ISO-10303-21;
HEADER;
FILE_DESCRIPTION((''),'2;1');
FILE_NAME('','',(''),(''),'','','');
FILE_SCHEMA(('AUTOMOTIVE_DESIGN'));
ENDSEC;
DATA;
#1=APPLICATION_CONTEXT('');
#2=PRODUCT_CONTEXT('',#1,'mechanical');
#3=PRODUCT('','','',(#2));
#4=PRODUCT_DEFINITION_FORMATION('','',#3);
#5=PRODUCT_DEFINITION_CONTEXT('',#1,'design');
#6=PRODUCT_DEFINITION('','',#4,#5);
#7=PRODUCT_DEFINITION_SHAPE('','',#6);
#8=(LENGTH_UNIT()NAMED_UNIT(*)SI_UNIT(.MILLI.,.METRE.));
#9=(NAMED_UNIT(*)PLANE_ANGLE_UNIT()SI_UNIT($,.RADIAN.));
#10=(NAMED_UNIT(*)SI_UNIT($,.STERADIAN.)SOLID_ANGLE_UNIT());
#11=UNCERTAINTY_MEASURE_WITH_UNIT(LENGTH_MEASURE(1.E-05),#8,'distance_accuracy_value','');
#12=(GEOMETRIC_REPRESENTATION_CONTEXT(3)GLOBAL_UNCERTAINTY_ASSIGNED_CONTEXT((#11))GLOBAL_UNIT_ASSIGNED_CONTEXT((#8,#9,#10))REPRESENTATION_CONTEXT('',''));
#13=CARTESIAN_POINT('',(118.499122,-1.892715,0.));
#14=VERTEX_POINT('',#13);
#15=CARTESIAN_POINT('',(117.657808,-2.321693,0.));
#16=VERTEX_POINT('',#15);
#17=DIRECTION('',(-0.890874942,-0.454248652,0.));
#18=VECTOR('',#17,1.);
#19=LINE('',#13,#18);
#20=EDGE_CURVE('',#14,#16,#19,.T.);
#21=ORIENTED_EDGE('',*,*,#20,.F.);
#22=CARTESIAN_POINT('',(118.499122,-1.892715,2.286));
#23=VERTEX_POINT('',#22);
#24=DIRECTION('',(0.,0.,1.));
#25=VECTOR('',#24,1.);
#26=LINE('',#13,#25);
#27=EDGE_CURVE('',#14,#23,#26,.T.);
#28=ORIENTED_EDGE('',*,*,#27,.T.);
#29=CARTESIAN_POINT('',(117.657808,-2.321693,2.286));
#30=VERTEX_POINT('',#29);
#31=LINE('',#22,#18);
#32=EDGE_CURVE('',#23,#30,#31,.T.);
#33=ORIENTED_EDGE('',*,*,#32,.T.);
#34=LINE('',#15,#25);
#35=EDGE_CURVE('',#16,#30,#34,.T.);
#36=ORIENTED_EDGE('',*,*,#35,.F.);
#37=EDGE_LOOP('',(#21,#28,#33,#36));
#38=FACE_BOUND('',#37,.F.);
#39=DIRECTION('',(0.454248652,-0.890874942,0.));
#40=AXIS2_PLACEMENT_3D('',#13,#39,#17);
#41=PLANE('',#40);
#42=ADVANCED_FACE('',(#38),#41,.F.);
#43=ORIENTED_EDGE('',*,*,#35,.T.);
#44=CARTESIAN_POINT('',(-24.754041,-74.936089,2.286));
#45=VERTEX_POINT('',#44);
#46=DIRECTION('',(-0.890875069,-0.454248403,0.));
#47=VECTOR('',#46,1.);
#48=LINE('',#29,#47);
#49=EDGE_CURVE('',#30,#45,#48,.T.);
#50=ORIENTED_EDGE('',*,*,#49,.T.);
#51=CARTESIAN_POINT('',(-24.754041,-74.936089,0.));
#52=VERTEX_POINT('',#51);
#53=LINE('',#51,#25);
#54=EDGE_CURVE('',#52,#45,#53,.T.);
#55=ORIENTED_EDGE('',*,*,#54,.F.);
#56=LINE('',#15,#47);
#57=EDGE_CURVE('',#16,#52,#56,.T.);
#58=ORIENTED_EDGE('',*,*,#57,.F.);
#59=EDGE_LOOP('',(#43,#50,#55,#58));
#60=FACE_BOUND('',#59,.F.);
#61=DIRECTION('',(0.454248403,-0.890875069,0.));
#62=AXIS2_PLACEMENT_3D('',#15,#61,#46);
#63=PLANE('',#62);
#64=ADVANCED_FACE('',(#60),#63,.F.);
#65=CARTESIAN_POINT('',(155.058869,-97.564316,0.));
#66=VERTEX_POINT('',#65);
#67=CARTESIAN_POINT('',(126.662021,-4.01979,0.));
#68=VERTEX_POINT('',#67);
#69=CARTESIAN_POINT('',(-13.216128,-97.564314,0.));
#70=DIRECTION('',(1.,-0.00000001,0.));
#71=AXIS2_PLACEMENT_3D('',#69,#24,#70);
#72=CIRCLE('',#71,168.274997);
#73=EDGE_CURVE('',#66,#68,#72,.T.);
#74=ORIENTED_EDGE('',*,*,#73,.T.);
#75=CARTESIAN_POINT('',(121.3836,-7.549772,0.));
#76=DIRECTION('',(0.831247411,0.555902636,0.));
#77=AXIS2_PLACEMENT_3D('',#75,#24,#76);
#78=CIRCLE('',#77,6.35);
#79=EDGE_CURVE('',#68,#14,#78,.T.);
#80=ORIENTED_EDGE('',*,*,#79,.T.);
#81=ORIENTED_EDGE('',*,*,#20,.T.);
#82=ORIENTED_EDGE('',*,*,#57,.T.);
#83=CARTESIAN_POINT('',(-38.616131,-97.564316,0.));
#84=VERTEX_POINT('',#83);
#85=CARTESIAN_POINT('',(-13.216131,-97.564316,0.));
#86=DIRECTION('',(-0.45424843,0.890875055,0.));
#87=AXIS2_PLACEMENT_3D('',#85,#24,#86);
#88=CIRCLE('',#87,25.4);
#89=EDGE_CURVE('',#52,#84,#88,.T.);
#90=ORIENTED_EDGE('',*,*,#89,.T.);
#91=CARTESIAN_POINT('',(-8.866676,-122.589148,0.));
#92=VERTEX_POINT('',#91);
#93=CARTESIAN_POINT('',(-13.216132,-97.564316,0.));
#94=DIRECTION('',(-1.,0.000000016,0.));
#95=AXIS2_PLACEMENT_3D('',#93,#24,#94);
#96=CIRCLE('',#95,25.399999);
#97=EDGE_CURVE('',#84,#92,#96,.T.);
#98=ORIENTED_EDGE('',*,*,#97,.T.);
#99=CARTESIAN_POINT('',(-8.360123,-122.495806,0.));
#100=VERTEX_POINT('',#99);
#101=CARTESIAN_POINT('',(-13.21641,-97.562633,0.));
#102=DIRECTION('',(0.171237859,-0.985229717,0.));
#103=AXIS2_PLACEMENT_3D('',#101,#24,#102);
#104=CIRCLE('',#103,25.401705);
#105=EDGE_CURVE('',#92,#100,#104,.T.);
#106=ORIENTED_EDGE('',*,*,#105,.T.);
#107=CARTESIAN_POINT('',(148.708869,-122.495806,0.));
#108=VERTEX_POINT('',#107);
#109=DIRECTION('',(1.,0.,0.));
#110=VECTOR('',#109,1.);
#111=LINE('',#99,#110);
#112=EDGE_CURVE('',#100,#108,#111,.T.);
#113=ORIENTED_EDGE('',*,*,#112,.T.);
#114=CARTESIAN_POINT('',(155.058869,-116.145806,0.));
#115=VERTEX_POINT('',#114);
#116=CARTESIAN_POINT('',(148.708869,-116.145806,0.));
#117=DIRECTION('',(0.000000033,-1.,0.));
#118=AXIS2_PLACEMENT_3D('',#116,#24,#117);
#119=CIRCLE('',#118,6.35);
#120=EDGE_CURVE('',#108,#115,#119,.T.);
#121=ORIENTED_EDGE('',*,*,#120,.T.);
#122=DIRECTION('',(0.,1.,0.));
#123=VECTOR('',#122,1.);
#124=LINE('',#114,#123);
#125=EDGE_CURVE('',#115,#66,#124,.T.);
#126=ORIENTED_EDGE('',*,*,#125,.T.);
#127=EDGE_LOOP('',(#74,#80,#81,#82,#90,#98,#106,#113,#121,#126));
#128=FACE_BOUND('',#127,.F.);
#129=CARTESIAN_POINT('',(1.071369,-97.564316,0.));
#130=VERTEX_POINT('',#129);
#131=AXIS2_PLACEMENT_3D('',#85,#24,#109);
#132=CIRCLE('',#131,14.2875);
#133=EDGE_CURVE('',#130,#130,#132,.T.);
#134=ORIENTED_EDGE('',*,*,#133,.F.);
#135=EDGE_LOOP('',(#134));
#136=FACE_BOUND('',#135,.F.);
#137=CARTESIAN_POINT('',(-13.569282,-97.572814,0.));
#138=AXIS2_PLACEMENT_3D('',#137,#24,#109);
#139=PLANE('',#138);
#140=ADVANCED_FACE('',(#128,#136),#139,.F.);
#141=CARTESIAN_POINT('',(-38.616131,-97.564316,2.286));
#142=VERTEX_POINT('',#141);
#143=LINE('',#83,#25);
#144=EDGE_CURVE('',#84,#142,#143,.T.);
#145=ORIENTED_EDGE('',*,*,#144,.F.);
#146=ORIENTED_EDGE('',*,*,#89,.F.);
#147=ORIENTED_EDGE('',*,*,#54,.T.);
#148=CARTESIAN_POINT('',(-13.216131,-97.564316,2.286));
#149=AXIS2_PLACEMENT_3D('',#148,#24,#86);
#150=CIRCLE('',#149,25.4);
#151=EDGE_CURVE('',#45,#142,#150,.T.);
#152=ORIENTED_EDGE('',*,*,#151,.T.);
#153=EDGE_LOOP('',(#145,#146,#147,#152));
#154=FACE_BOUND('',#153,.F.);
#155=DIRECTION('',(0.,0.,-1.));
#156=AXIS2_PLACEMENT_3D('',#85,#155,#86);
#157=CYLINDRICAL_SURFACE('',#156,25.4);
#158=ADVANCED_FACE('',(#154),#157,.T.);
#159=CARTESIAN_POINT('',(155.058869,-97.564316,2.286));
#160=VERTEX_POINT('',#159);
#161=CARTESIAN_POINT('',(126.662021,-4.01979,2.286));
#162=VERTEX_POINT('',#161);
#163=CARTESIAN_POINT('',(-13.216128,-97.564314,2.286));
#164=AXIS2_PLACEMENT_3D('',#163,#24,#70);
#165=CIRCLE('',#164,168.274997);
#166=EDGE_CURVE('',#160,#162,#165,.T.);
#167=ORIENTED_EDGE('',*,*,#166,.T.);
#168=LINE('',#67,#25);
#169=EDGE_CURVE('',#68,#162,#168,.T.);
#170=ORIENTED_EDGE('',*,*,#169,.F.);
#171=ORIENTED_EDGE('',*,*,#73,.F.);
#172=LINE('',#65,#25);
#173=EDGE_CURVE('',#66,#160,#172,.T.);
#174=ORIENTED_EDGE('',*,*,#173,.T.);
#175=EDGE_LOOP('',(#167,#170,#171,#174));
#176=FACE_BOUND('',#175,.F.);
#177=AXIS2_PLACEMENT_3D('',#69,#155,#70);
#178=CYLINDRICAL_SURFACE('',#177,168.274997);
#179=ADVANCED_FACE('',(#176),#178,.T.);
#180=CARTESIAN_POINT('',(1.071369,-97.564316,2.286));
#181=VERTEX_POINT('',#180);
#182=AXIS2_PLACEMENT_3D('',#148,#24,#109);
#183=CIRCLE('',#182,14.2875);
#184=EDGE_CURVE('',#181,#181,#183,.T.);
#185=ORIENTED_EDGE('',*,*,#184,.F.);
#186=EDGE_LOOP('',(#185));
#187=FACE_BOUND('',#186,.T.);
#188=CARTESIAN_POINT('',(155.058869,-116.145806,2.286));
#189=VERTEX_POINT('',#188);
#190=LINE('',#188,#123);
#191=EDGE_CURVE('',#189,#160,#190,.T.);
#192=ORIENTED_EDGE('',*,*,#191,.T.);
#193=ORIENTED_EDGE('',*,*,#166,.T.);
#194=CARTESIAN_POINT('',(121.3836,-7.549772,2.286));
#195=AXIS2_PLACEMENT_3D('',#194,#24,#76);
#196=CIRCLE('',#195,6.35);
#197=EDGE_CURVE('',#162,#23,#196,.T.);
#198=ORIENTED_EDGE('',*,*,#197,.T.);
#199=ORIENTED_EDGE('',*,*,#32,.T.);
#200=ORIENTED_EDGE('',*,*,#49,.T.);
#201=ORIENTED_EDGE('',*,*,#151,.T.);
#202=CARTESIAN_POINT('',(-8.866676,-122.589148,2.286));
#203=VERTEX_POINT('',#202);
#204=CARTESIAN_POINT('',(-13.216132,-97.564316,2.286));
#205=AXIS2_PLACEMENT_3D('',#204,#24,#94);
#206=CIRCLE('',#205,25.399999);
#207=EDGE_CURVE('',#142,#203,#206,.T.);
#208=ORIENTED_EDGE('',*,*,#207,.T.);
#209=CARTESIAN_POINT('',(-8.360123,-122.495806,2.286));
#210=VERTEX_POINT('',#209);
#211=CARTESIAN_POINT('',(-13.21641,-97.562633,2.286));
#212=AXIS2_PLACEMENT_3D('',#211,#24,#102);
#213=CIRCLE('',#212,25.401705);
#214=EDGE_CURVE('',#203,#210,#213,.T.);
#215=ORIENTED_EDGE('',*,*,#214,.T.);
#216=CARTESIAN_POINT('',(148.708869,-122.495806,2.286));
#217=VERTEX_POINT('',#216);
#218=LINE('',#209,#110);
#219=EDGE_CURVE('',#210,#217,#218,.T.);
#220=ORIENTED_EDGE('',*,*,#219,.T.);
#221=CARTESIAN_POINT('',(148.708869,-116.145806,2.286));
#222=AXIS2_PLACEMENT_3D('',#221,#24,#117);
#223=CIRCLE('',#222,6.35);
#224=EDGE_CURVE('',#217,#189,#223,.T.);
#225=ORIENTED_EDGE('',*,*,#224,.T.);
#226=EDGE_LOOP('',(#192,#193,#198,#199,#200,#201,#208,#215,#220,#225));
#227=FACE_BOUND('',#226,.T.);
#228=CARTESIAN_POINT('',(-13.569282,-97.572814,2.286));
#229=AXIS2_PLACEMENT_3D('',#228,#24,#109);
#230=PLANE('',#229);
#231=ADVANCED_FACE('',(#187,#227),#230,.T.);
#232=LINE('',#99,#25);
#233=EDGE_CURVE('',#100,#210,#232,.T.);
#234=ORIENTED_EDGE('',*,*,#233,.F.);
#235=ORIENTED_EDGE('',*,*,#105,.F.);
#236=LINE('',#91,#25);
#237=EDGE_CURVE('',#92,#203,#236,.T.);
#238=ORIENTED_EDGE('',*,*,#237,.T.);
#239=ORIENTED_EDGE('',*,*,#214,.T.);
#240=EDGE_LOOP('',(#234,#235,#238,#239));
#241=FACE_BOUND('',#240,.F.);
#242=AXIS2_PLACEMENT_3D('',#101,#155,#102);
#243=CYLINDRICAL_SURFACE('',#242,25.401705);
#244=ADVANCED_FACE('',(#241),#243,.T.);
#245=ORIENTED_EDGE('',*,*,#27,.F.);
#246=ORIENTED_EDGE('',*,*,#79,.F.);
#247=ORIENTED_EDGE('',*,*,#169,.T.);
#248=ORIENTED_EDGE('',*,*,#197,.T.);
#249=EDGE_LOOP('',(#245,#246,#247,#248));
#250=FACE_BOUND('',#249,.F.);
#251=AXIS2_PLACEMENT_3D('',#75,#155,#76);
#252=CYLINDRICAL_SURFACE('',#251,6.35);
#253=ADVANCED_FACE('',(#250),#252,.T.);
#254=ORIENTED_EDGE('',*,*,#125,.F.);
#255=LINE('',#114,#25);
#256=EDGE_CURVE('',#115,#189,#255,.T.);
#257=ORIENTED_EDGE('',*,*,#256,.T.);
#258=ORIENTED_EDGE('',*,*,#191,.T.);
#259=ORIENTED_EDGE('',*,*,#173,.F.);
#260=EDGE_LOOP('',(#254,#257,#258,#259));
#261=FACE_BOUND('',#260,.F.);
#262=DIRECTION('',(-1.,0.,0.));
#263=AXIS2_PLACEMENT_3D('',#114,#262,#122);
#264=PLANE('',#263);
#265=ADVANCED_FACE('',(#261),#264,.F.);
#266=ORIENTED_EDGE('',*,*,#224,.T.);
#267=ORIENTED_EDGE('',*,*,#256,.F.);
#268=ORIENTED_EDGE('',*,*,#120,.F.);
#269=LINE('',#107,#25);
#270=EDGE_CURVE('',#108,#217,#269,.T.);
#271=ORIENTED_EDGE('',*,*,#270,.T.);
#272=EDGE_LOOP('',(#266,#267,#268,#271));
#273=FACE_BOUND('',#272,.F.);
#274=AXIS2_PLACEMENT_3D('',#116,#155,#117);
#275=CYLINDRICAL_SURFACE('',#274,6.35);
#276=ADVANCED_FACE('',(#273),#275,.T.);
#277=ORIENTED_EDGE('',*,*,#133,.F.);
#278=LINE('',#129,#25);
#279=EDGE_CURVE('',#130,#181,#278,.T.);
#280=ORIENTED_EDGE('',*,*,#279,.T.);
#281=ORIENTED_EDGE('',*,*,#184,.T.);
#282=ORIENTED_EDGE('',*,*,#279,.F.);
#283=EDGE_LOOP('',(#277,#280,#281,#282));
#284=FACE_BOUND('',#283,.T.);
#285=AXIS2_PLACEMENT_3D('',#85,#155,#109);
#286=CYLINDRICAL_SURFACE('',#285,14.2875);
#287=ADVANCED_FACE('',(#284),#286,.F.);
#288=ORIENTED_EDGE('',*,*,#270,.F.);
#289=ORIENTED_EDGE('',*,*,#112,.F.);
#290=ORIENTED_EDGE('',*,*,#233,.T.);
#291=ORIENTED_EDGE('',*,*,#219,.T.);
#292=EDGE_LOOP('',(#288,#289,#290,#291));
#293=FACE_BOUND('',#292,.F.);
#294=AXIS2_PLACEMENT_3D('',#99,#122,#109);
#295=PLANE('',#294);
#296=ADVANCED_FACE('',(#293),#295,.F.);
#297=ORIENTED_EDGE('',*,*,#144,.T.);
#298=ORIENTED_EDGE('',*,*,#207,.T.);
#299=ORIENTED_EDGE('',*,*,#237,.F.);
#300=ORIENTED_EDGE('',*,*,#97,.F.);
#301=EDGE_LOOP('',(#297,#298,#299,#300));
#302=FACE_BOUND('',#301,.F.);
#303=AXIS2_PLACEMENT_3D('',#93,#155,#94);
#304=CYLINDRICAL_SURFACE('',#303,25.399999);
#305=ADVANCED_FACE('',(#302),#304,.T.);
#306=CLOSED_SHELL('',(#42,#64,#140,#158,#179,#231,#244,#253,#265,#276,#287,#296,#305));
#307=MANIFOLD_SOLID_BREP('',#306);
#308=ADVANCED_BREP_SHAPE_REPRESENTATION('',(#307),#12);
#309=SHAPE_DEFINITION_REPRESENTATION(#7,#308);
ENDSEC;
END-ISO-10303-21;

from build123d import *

# Parameters (mm, degrees)
F0_R     = 14.2875
F1_DEPTH = 2.286


with BuildPart() as f1:
    # F0 (on Top) → F1 (new body)
    with BuildSketch(Plane.XY):
        with BuildLine():
            ThreePointArc((-8.360123, -122.495806), (6.386198, -113.716984), (12.183869, -97.564316))
            ThreePointArc((12.183869, -97.564316), (0.052198, -75.905335), (-24.754041, -74.936089))
            ThreePointArc((-24.754041, -74.936089), (-34.875112, -84.295987), (-38.616131, -97.564316))
            Line((-38.616131, -97.564316), (-38.594074, -96.545842))
            ThreePointArc((-38.594074, -96.545842), (-31.353941, -114.860812), (-13.200028, -122.495806))
            Line((-13.200028, -122.495806), (-13.176682, -122.495806))
            Line((-13.176682, -122.495806), (-8.360123, -122.495806))
        make_face()
        with Locations((-13.216131, -97.564316)):
            Circle(F0_R, mode=Mode.SUBTRACT)
        with BuildLine():
            ThreePointArc((-24.754041, -74.936089), (0.052198, -75.905335), (12.183869, -97.564316))
            ThreePointArc((12.183869, -97.564316), (6.386198, -113.716984), (-8.360123, -122.495806))
            Line((-8.360123, -122.495806), (148.645369, -122.495806))
            Line((148.645369, -122.495806), (148.645369, -97.564316))
            ThreePointArc((148.645369, -97.564316), (140.703649, -47.485912), (117.657808, -2.321693))
            Line((117.657808, -2.321693), (-24.754041, -74.936089))
        make_face()
        with BuildLine():
            ThreePointArc((-8.866676, -122.589148), (-8.613163, -122.543761), (-8.360123, -122.495806))
            Line((-8.360123, -122.495806), (-13.176682, -122.495806))
            Line((-13.176682, -122.495806), (-8.866676, -122.589148))
        make_face()
        with BuildLine():
            Line((-38.594074, -96.545842), (-38.616131, -97.564316))
            ThreePointArc((-38.616131, -97.564316), (-29.566725, -117.001859), (-8.866676, -122.589148))
            Line((-8.866676, -122.589148), (-13.176682, -122.495806))
            Line((-13.176682, -122.495806), (-13.200028, -122.495806))
            ThreePointArc((-13.200028, -122.495806), (-31.353941, -114.860812), (-38.594074, -96.545842))
        make_face()
        with BuildLine():
            Line((118.499122, -1.892715), (117.657808, -2.321693))
            ThreePointArc((117.657808, -2.321693), (140.703649, -47.485912), (148.645369, -97.564316))
            Line((148.645369, -97.564316), (148.645369, -122.495806))
            Line((148.645369, -122.495806), (148.708869, -122.495806))
            ThreePointArc((148.708869, -122.495806), (153.198997, -120.635934), (155.058869, -116.145806))
            Line((155.058869, -116.145806), (155.058869, -97.564316))
            ThreePointArc((155.058869, -97.564316), (147.803234, -48.684465), (126.662021, -4.01979))
            ThreePointArc((126.662021, -4.01979), (122.984803, -1.404965), (118.499122, -1.892715))
        make_face()
    extrude(amount=F1_DEPTH)


solid = f1.part
